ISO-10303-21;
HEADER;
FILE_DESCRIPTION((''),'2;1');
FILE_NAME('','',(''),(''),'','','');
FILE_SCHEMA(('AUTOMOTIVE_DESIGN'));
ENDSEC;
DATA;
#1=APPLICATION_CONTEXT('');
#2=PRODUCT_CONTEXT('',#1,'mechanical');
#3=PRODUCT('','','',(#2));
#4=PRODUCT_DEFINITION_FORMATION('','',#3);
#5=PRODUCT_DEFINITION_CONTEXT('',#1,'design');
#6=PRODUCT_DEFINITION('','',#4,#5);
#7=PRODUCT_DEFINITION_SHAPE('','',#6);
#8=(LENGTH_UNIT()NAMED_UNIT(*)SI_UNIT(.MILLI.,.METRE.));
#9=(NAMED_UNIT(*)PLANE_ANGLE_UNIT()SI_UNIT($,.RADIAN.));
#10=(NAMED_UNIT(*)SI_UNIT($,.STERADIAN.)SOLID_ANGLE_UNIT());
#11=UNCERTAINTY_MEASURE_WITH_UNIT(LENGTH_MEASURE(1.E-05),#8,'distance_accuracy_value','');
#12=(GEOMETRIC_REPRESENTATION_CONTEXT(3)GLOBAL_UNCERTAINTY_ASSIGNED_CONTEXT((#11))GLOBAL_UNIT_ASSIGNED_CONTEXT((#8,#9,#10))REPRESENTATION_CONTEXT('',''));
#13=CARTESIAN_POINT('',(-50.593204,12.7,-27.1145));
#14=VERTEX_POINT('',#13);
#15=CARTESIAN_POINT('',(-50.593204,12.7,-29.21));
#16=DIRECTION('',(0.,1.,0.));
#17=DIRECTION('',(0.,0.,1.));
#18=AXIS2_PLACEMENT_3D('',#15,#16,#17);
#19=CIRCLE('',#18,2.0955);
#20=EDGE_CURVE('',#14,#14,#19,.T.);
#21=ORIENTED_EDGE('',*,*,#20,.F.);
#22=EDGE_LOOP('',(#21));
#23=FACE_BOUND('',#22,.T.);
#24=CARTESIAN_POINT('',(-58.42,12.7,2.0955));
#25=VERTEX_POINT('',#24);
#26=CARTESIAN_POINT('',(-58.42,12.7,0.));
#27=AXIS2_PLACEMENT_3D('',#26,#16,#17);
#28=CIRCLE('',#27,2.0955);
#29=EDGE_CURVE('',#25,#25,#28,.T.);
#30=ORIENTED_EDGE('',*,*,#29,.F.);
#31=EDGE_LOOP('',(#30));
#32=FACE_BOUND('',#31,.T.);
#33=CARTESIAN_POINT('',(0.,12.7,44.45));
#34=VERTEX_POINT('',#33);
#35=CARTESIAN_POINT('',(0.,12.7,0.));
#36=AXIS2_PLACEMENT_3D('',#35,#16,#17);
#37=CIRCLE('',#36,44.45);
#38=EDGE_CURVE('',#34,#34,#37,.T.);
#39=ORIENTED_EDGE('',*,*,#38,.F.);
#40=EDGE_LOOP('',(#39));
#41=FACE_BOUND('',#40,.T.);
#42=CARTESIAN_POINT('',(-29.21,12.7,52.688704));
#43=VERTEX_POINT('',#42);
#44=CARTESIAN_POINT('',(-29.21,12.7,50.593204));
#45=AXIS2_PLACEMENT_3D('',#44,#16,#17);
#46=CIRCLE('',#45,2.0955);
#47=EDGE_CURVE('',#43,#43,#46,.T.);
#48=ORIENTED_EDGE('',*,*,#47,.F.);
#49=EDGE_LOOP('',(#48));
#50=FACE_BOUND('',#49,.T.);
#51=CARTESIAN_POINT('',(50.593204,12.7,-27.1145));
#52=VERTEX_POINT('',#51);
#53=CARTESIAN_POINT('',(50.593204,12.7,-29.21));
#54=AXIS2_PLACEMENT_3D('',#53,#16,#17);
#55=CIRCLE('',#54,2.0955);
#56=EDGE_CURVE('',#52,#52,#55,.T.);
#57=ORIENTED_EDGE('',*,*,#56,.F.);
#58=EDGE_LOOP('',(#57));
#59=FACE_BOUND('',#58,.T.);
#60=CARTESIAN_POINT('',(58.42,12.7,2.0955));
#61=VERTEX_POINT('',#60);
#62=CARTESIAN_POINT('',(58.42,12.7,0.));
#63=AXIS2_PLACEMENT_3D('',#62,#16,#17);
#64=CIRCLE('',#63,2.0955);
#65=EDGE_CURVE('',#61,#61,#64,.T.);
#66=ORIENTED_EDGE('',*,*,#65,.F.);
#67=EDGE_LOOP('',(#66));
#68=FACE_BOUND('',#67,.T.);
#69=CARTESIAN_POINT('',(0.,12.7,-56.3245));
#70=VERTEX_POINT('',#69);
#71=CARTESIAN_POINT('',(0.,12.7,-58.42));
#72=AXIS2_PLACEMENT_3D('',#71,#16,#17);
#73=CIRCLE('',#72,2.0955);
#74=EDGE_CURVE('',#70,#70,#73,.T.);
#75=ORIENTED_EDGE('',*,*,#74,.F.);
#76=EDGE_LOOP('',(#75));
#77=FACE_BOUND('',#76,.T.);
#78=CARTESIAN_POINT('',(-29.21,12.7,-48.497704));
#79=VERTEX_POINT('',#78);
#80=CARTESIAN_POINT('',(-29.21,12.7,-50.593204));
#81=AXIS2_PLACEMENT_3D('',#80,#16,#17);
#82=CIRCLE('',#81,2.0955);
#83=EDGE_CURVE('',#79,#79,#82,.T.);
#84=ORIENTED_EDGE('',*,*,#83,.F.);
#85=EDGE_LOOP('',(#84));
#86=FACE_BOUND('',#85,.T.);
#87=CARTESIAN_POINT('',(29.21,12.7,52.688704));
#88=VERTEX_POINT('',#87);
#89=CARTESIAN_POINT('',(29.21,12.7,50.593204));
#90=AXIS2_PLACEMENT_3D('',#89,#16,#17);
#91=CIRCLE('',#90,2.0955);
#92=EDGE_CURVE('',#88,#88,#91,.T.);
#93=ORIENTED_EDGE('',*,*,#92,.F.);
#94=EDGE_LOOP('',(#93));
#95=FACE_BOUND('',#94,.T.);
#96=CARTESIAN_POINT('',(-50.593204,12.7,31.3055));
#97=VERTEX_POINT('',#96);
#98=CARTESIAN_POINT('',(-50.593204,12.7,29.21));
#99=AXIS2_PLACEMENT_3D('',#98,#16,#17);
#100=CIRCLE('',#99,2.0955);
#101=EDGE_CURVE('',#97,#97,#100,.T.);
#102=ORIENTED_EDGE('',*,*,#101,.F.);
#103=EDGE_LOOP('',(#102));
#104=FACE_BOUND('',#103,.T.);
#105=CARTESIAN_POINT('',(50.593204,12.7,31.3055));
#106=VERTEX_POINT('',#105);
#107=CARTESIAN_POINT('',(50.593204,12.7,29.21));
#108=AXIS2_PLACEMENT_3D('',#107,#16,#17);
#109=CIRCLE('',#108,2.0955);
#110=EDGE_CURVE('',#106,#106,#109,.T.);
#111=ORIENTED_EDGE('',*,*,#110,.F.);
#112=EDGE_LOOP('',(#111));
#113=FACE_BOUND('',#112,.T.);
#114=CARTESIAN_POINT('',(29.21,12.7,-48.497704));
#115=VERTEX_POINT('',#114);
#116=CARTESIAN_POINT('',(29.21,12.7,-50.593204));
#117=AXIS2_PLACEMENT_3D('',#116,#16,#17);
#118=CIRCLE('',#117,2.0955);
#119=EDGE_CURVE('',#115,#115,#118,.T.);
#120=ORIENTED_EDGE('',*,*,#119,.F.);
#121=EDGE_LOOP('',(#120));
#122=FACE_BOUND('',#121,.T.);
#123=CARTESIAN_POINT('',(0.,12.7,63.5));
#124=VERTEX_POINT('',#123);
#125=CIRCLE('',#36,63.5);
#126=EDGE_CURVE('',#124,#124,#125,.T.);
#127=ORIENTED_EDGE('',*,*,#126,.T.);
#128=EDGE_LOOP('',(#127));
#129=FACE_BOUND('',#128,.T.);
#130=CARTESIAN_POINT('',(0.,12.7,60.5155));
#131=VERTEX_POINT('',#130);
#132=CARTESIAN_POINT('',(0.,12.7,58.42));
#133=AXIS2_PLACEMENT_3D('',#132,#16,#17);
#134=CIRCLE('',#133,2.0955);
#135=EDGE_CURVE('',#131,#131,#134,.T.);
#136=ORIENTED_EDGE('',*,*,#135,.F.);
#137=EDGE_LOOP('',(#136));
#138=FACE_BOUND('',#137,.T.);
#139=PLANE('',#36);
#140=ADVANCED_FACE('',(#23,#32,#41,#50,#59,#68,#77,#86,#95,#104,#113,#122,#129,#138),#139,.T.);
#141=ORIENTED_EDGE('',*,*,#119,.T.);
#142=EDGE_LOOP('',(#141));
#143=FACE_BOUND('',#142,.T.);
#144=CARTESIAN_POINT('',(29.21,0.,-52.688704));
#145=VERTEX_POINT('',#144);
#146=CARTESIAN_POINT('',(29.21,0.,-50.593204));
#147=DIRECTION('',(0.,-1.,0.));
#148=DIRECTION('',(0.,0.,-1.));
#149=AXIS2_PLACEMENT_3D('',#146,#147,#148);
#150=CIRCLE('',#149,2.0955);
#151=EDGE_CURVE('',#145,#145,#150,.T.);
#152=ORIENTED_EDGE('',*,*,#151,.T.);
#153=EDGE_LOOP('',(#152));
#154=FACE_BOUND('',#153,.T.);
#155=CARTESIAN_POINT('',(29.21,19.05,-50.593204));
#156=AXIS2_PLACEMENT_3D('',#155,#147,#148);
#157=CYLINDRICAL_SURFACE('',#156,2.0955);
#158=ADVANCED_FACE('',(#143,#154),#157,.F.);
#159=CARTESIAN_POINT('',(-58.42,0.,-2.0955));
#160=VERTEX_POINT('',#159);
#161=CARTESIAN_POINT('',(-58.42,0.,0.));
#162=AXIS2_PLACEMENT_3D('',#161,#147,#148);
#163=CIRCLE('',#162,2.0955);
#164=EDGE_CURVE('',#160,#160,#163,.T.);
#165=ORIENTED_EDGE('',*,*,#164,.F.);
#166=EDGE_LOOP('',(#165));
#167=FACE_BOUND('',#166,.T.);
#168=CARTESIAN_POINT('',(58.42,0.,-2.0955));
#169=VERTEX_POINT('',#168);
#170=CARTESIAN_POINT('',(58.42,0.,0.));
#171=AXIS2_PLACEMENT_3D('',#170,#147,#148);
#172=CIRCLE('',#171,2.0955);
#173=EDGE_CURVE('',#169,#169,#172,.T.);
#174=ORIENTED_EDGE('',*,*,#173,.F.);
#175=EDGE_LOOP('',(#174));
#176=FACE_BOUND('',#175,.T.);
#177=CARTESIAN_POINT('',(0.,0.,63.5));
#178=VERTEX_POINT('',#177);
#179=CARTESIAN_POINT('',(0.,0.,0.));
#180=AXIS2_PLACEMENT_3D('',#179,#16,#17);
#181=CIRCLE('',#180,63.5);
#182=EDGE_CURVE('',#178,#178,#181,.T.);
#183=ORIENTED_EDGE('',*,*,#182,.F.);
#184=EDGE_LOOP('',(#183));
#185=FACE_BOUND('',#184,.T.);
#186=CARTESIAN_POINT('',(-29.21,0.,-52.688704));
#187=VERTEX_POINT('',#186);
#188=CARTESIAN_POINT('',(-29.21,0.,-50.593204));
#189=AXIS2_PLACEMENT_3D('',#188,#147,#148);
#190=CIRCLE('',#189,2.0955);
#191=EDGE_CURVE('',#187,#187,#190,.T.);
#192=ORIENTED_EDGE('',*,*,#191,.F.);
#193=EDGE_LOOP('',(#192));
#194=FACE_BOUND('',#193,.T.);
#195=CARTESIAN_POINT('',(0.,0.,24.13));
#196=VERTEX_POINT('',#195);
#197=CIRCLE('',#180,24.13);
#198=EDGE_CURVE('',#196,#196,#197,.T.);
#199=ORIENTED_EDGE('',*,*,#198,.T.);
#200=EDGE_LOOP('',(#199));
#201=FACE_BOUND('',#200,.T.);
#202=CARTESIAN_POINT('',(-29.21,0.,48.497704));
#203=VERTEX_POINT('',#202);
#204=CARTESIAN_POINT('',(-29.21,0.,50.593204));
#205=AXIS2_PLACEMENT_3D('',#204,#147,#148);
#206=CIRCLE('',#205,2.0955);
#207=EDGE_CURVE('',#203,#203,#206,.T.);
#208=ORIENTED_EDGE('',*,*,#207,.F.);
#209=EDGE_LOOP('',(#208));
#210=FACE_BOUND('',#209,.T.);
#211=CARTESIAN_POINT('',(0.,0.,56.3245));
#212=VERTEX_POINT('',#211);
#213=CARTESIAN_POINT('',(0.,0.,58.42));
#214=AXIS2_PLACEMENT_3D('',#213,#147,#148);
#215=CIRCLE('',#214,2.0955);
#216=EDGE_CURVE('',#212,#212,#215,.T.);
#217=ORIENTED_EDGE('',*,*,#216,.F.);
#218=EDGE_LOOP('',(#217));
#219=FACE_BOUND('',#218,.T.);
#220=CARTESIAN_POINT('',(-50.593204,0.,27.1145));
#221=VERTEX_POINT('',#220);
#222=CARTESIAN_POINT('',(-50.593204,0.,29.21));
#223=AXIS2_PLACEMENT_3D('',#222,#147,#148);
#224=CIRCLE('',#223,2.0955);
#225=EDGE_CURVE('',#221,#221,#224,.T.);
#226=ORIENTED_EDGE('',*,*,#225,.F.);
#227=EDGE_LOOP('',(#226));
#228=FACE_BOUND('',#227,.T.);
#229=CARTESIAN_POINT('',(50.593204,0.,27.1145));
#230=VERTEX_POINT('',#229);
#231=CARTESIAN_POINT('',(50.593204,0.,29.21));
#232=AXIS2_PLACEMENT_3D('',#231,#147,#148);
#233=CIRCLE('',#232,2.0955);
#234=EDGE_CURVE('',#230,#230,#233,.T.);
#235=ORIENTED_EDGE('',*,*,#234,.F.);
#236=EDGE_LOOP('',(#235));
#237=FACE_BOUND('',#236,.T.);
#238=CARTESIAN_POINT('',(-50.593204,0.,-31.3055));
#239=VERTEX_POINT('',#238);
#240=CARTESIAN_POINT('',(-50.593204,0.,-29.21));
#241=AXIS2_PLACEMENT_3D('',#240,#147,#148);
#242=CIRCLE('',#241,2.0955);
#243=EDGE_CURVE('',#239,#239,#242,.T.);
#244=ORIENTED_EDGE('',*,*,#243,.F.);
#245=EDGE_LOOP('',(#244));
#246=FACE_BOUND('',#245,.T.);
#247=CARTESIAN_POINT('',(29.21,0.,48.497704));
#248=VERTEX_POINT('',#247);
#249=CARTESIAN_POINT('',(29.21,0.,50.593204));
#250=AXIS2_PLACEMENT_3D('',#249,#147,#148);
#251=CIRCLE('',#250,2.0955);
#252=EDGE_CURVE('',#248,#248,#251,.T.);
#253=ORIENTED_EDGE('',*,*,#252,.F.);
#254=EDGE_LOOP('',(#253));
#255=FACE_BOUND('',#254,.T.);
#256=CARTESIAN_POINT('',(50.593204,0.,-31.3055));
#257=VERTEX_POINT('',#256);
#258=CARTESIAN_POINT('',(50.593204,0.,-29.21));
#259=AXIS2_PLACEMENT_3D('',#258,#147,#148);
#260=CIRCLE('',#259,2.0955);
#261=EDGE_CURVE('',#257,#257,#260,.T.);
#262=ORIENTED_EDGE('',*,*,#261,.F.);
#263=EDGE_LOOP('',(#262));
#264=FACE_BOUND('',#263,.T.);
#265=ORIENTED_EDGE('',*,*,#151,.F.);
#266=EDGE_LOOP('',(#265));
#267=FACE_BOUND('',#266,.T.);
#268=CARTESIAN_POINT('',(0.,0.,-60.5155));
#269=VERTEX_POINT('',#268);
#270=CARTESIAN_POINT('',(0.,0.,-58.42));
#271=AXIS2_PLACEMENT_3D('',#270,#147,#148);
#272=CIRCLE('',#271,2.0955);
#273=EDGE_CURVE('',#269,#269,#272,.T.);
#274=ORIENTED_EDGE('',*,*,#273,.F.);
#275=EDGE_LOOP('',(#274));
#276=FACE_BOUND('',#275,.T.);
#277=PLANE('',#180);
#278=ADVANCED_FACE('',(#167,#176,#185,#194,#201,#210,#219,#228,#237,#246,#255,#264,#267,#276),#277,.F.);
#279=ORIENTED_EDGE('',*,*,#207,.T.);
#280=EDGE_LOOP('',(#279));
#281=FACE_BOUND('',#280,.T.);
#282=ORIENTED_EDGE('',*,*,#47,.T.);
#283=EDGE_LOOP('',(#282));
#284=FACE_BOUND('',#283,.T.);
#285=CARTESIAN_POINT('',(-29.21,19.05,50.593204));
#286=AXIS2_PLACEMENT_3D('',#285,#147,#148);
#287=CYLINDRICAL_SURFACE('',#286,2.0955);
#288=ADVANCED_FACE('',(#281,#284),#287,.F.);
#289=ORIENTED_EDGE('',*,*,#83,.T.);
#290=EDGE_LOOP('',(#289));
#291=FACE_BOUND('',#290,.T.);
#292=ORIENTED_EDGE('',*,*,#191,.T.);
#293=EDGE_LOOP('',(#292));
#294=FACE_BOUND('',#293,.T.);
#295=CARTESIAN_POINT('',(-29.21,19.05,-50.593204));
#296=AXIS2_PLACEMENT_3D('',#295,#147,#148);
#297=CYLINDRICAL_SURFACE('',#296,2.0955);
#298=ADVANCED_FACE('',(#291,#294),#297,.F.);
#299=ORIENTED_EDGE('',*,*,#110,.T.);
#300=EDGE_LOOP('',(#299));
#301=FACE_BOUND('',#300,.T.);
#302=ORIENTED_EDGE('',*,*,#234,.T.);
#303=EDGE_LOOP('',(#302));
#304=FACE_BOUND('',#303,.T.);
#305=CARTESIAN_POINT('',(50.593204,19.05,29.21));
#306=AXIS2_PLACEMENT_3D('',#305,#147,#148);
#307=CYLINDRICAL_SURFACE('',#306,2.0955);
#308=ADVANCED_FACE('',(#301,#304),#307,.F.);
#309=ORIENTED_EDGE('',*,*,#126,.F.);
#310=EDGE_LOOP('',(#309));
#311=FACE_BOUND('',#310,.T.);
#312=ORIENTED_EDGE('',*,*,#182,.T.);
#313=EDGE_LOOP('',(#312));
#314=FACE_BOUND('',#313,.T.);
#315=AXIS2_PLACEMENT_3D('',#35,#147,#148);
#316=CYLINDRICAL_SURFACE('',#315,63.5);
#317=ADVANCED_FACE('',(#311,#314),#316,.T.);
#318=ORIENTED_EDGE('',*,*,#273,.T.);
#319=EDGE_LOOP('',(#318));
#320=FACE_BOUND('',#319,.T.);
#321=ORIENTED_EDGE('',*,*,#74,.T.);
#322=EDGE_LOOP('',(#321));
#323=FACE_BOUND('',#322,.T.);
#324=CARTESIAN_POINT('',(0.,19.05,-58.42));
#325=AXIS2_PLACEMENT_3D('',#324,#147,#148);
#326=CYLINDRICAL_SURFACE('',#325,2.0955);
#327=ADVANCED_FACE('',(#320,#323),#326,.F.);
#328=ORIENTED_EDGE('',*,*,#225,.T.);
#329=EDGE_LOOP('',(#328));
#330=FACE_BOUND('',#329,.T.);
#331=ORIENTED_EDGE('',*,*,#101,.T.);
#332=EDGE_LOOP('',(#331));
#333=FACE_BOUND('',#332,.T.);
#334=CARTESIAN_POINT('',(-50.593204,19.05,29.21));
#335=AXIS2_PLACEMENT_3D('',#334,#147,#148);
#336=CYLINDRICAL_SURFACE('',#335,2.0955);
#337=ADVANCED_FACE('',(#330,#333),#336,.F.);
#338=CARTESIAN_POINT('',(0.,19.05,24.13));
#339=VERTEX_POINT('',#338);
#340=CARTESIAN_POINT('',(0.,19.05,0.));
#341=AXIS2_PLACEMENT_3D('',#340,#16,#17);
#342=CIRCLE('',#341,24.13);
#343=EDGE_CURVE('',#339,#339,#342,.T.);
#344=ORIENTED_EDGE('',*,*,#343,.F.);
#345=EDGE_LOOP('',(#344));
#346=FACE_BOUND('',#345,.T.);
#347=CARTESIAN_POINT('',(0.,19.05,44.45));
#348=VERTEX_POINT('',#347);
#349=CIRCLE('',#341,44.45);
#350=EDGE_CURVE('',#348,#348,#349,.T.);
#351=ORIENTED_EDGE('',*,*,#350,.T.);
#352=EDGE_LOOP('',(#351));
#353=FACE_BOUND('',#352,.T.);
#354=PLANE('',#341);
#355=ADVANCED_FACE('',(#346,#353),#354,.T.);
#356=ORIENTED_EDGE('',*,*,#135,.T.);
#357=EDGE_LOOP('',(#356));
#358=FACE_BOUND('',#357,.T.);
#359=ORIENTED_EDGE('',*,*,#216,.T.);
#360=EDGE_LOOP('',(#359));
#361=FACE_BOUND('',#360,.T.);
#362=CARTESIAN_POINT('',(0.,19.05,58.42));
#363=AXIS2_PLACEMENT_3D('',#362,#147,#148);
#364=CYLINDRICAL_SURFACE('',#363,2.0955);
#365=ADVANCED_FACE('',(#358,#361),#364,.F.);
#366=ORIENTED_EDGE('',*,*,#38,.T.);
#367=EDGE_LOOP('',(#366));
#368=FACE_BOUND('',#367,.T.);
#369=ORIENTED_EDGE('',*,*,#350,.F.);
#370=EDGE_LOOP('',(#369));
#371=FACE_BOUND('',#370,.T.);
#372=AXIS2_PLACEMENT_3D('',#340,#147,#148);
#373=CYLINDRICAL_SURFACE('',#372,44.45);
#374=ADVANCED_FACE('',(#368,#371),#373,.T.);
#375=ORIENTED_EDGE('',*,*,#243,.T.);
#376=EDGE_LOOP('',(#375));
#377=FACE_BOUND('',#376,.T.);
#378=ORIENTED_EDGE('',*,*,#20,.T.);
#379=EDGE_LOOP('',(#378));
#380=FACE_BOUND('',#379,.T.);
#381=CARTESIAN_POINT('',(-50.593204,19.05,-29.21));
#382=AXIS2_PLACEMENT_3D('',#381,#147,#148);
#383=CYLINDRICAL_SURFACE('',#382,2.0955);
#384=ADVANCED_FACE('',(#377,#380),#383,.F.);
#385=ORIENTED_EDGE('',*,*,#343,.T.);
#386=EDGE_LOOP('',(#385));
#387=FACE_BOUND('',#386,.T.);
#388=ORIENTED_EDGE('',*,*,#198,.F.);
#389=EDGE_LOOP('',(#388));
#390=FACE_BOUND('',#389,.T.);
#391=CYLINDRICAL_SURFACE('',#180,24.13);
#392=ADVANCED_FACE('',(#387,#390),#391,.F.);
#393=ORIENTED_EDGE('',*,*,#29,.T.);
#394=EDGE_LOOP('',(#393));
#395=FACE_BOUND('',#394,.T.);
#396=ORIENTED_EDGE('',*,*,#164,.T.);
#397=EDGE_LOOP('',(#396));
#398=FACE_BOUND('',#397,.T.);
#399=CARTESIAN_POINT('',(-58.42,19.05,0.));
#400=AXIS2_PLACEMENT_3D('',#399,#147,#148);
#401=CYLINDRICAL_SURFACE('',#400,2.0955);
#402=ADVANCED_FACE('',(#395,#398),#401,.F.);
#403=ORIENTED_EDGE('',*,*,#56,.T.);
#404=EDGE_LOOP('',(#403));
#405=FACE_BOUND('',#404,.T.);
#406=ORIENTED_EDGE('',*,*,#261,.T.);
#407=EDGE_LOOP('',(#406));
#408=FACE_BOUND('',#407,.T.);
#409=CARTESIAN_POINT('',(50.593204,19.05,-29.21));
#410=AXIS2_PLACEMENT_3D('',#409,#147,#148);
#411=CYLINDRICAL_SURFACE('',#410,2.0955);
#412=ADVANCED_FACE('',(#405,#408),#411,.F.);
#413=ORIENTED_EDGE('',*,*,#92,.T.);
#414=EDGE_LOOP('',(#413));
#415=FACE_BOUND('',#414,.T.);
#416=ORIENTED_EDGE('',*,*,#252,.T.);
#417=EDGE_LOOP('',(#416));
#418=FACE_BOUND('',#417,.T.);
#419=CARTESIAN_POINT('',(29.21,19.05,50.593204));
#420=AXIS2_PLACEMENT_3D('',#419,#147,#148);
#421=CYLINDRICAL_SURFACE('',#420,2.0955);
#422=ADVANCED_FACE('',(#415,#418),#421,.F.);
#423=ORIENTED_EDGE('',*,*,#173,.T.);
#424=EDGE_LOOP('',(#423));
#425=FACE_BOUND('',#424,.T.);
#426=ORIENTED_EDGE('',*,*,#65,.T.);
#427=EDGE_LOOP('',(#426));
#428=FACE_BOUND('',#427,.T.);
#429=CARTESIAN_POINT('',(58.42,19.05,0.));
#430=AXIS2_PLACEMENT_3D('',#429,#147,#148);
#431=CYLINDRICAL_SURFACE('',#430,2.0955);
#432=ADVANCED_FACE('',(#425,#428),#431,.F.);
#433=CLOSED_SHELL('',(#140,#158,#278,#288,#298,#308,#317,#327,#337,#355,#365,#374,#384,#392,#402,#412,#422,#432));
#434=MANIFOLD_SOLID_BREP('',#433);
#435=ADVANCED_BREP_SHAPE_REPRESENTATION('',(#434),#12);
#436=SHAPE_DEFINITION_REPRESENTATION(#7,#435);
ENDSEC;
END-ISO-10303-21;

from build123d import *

# Parameters (mm, degrees)
SKETCH1_R               = 63.5
BOSS_EXTRUDE1_DEPTH     = 12.7
SKETCH2_R               = 44.45
BOSS_EXTRUDE2_DEPTH     = 6.35
SKETCH3_R               = 24.13
CUT_EXTRUDE1_DEPTH      = 1
CUT_EXTRUDE1_DEPTH_BACK = 20.05
SKETCH4_R               = 2.0955
CUT_EXTRUDE2_DEPTH      = 20.05


with BuildPart() as part:
    # Sketch1 → Boss-Extrude1 (new body)
    with BuildSketch(Plane(origin=(0, 0, 0), x_dir=(1, 0, 0), z_dir=(0, 1, 0))):
        Circle(SKETCH1_R)
    extrude(amount=BOSS_EXTRUDE1_DEPTH)

    # Sketch2 → Boss-Extrude2 (add)
    with BuildSketch(Plane(origin=(0, 12.7, 0), x_dir=(1, 0, 0), z_dir=(0, 1, 0))):
        Circle(SKETCH2_R)
    extrude(amount=BOSS_EXTRUDE2_DEPTH)

    # Sketch3 → Cut-Extrude1 (cut, two sides)
    with BuildSketch(Plane(origin=(0, 19.05, 0), x_dir=(1, 0, 0), z_dir=(0, 1, 0))) as cut_extrude1_sk:
        Circle(SKETCH3_R)
    extrude(amount=CUT_EXTRUDE1_DEPTH, mode=Mode.SUBTRACT)
    extrude(cut_extrude1_sk.sketch, amount=-CUT_EXTRUDE1_DEPTH_BACK, mode=Mode.SUBTRACT)

    # Sketch4 → Cut-Extrude2 (cut, through all)
    with BuildSketch(Plane.XZ):
        with Locations((0, -58.42)):
            Circle(SKETCH4_R)
        with Locations((-29.21, -50.593204089)):
            Circle(SKETCH4_R)
        with Locations((-50.593204089, -29.21)):
            Circle(SKETCH4_R)
        with Locations((-58.42, 0)):
            Circle(SKETCH4_R)
        with Locations((-50.593204089, 29.21)):
            Circle(SKETCH4_R)
        with Locations((-29.21, 50.593204089)):
            Circle(SKETCH4_R)
        with Locations((0, 58.42)):
            Circle(SKETCH4_R)
        with Locations((29.21, 50.593204089)):
            Circle(SKETCH4_R)
        with Locations((50.593204089, 29.21)):
            Circle(SKETCH4_R)
        with Locations((58.42, 0)):
            Circle(SKETCH4_R)
        with Locations((50.593204089, -29.21)):
            Circle(SKETCH4_R)
        with Locations((29.21, -50.593204089)):
            Circle(SKETCH4_R)
    extrude(amount=-CUT_EXTRUDE2_DEPTH, mode=Mode.SUBTRACT)


solid = part.part
